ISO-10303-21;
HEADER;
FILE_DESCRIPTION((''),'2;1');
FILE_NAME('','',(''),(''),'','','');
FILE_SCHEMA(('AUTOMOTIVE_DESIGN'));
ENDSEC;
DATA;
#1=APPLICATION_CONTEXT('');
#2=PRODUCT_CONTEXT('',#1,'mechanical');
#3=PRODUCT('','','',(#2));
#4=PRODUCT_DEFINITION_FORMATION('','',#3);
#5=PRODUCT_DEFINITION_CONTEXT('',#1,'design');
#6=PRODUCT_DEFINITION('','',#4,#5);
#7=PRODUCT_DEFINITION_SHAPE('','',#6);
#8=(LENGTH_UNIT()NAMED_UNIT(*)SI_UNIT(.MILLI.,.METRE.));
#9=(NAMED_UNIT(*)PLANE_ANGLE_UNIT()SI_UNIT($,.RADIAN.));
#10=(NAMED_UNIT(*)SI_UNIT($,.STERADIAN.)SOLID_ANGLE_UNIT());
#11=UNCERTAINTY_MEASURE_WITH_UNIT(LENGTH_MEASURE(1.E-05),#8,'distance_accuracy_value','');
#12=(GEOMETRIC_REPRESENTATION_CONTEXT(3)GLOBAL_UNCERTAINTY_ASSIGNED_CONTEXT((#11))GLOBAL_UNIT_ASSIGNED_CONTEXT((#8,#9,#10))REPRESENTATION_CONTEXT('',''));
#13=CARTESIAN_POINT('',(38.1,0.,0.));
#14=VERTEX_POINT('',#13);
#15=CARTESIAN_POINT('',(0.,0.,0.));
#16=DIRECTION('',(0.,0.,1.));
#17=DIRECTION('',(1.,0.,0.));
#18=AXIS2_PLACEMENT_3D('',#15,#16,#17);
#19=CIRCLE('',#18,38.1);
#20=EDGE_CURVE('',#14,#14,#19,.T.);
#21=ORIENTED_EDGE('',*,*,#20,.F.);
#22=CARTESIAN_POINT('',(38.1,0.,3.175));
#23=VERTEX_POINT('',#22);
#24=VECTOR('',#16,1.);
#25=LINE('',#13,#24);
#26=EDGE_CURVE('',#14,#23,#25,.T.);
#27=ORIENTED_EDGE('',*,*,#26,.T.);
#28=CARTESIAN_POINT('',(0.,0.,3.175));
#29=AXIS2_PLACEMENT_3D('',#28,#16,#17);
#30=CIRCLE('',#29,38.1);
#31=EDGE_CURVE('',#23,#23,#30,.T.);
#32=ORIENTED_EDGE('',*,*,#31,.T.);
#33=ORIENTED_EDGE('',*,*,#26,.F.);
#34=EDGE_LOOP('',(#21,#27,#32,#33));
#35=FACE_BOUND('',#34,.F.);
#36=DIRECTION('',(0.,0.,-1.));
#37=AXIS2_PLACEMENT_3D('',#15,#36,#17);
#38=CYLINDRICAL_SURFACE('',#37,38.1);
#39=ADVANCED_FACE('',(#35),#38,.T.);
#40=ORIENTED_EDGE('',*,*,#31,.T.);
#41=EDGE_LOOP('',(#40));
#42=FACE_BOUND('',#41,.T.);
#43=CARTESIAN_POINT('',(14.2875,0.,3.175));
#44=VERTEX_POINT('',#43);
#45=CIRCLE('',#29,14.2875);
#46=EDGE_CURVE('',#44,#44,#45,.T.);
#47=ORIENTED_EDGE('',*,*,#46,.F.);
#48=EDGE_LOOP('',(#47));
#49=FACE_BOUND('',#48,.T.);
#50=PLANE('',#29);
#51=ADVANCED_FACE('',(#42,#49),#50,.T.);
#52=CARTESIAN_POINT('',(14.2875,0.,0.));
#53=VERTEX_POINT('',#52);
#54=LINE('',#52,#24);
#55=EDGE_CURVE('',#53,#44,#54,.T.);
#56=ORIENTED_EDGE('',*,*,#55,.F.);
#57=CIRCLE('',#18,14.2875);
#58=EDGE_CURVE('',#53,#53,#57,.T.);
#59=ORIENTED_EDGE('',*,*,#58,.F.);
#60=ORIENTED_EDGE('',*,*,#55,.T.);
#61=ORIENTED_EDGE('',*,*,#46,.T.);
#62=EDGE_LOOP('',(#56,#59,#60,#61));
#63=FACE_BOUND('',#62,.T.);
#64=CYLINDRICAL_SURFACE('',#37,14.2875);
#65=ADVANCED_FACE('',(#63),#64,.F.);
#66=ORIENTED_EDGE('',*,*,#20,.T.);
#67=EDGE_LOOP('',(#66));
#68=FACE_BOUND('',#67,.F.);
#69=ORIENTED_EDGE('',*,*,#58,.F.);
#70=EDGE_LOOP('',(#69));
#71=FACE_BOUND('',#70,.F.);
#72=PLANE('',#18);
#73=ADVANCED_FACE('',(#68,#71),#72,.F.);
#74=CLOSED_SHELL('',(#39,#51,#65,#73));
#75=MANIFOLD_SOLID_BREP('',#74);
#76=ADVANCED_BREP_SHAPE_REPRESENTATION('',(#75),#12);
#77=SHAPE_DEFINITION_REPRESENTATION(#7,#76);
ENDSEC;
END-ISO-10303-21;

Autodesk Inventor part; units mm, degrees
ref_plane "YZ Plane" through (0, 0, 0) normal (1, 0, 0) x (0, 1, 0)
ref_plane "XZ Plane" through (0, 0, 0) normal (0, 1, 0) x (-1, 0, 0)
ref_plane "XY Plane" through (0, 0, 0) normal (0, 0, 1) x (1, 0, 0)
sketch "Sketch1" plane through (0, 0, 0) normal (0, 0, 1) x (1, 0, 0)
  circle A0 centre (0, 0) radius 14.2875
  circle A1 centre (0, 0) radius 38.1
  dimension "d0" = 28.575
  dimension "d1" = 76.2
extrude "Extrusion1" add sketch "Sketch1" along normal blind 3.175
properties part number "clutch washer" material "PET Plastic"
